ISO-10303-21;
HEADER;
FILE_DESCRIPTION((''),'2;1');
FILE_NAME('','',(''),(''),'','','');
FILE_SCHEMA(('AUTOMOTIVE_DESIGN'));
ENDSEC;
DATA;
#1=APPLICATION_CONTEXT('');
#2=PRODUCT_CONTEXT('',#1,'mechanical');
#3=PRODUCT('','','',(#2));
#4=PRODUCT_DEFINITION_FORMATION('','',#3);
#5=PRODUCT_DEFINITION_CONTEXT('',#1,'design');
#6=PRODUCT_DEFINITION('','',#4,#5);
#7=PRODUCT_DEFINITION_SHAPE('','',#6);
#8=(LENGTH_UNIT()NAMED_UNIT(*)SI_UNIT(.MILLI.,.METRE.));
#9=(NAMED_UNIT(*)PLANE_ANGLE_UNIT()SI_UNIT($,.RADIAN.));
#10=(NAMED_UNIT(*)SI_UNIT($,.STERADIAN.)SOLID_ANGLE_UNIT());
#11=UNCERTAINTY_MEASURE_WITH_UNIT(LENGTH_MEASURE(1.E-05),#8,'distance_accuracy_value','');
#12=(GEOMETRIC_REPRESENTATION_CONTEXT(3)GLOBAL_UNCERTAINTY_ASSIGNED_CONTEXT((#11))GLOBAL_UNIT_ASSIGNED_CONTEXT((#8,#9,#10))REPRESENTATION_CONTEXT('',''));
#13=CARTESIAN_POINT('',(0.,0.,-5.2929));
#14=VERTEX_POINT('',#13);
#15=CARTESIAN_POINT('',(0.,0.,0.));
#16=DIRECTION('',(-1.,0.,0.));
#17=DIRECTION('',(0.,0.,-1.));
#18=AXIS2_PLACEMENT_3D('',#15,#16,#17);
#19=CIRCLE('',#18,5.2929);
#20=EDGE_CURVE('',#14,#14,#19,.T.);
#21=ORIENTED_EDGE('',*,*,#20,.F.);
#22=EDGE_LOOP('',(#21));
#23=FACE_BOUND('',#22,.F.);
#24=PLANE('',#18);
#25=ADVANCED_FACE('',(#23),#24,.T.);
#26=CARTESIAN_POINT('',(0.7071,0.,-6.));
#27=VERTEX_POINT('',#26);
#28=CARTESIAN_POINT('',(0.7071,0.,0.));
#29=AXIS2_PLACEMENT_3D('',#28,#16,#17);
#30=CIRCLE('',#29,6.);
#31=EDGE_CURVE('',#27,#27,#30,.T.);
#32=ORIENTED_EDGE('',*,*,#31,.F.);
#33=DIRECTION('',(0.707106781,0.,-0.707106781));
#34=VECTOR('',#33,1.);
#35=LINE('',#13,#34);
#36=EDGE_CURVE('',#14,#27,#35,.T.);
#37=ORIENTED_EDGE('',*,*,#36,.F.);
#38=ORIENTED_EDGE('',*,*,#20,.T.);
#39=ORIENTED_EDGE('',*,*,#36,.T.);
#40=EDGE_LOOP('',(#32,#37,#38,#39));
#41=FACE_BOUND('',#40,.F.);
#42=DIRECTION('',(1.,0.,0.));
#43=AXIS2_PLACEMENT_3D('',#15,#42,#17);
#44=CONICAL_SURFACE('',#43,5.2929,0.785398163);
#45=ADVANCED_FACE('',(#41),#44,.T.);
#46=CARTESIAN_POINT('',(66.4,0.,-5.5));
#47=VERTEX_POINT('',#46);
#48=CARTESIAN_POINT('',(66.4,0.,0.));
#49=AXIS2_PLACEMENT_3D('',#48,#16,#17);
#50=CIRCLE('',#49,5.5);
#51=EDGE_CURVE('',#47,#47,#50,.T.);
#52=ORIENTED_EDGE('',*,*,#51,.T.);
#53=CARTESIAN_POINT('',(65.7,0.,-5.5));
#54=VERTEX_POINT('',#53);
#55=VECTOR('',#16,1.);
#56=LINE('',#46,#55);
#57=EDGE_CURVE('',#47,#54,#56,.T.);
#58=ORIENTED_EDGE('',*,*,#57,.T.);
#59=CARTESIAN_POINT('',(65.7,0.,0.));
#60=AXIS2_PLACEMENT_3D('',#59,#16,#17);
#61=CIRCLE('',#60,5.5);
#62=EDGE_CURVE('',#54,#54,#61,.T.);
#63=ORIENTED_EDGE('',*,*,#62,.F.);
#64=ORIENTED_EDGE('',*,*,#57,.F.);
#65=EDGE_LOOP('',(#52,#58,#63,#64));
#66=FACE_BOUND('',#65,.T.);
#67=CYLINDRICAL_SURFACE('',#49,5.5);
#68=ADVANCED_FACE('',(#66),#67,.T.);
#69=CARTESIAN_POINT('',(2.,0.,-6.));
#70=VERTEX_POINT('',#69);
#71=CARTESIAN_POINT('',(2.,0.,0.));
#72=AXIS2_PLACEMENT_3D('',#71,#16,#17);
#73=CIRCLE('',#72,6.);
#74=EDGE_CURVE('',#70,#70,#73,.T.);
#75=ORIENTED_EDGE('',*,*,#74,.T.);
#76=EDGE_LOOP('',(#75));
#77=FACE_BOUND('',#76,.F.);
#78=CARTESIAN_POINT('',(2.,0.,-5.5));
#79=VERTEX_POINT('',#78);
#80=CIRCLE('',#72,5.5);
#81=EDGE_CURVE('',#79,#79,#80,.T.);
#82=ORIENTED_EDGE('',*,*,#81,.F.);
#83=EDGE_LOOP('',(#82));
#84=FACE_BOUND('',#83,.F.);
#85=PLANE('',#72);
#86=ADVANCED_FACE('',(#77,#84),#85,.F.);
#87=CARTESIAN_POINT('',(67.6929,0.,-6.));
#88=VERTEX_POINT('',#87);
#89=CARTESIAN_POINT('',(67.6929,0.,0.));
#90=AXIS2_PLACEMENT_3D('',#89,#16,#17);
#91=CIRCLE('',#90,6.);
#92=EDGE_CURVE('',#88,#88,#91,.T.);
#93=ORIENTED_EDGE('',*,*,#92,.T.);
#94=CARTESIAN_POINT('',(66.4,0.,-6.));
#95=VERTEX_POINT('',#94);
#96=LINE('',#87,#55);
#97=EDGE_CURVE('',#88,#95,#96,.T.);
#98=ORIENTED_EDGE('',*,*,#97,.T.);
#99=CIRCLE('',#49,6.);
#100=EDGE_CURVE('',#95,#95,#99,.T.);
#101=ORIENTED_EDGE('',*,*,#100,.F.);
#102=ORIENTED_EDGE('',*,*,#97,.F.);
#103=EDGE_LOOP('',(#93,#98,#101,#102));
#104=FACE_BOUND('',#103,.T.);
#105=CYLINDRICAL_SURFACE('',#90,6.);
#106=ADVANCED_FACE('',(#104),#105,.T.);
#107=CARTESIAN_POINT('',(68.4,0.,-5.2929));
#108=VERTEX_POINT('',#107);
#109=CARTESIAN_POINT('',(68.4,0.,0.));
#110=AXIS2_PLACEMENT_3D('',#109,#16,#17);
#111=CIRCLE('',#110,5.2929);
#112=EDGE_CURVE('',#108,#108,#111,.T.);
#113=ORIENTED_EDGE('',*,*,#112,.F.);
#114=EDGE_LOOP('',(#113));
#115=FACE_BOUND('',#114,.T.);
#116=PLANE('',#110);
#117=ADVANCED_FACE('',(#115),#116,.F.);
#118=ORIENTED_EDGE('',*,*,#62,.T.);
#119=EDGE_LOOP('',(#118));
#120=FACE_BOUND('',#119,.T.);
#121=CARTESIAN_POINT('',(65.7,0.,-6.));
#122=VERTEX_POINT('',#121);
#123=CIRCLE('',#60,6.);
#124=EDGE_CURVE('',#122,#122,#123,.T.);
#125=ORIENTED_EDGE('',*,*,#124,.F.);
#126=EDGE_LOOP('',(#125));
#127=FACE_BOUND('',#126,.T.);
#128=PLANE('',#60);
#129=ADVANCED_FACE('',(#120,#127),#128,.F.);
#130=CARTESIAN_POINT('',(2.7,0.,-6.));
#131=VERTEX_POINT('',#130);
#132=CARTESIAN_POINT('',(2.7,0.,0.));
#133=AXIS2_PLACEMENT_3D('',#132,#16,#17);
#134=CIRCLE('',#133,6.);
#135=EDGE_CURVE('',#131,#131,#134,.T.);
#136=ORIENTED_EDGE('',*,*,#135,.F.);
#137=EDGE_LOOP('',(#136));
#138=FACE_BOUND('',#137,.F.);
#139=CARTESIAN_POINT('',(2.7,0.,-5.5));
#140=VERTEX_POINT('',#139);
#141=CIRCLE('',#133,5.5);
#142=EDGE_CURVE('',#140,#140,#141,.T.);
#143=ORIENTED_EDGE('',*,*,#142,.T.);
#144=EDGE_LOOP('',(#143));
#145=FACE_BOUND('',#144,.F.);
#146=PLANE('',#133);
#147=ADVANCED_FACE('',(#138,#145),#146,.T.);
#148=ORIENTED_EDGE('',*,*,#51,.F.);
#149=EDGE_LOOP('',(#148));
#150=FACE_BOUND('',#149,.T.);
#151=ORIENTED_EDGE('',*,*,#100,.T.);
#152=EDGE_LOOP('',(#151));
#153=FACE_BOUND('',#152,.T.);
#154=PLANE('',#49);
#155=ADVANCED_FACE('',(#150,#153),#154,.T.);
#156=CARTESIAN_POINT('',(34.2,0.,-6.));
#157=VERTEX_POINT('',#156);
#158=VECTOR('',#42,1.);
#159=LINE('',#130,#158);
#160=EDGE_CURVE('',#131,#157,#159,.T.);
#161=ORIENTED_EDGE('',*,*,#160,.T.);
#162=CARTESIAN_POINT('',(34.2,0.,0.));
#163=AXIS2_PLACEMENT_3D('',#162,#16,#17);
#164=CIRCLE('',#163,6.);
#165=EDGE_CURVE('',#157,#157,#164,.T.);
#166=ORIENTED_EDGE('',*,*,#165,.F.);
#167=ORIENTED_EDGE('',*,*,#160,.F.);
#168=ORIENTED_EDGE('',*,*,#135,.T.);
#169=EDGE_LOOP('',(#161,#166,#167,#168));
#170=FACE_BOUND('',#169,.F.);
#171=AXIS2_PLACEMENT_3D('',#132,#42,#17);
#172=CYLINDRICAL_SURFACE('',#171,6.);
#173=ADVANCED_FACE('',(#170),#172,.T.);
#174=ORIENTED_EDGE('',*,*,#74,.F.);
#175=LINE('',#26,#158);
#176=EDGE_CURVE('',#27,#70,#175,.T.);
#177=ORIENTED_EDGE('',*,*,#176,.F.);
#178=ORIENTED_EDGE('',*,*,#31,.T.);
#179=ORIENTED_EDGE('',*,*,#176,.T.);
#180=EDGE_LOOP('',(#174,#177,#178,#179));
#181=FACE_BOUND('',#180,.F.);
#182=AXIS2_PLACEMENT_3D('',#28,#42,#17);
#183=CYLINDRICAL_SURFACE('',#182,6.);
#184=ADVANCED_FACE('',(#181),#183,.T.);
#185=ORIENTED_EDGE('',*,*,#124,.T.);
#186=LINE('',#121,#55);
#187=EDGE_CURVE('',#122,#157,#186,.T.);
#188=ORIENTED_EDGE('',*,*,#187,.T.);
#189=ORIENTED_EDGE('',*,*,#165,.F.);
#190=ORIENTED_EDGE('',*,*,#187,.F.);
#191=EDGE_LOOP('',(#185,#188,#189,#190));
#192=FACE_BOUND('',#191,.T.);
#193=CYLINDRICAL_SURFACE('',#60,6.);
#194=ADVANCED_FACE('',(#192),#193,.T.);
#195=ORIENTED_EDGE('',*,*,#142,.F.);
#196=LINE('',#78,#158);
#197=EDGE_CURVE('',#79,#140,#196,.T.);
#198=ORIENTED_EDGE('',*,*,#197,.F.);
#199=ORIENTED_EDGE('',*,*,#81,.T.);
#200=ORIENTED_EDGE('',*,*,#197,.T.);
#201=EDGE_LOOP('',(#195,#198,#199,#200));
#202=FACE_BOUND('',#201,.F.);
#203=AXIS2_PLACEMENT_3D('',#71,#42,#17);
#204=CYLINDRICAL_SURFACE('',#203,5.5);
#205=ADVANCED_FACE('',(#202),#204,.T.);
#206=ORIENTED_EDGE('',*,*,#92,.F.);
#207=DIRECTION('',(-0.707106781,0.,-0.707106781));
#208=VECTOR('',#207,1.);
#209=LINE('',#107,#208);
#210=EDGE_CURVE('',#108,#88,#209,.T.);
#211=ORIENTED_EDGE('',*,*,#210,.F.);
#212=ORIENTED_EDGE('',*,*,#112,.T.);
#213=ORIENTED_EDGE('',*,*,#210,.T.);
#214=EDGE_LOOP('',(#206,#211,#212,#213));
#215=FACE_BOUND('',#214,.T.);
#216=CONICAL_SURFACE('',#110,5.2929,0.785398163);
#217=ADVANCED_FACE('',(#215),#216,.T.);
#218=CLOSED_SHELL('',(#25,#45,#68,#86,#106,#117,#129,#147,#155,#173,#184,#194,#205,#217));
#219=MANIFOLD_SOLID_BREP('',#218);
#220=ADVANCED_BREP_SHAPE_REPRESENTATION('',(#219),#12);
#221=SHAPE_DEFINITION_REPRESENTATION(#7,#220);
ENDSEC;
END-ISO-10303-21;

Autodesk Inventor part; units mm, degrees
ref_plane "YZ Plane" through (0, 0, 0) normal (1, 0, 0) x (0, 1, 0)
ref_plane "XZ Plane" through (0, 0, 0) normal (0, 1, 0) x (-1, 0, 0)
ref_plane "XY Plane" through (0, 0, 0) normal (0, 0, 1) x (1, 0, 0)
sketch "Sketch1" plane through (0, 0, 0) normal (0, 1, 0) x (-1, 0, 0)
  line L0 (0, 0) -> (0, -5.2929)
  line L1 (0, -5.2929) -> (-0.7071, -6)
  line L2 (-0.7071, -6) -> (-2, -6)
  line L3 (-2, -6) -> (-2, -5.5)
  line L4 (-2, -5.5) -> (-2.7, -5.5)
  line L5 (-2.7, -5.5) -> (-2.7, -6)
  line L6 (-2.7, -6) -> (-34.2, -6)
  line L7 (-34.2, -6) -> (-34.2, 0)
  line L8 (-34.2, 0) -> (0, 0)
  line L9 (-68.4, 0) -> (-68.4, -5.2929)
  line L10 (-68.4, -5.2929) -> (-67.6929, -6)
  line L11 (-67.6929, -6) -> (-66.4, -6)
  line L12 (-66.4, -6) -> (-66.4, -5.5)
  line L13 (-66.4, -5.5) -> (-65.7, -5.5)
  line L14 (-65.7, -5.5) -> (-65.7, -6)
  line L15 (-65.7, -6) -> (-34.2, -6)
  line L16 (-68.4, 0) -> (-34.2, 0)
  dimension "d0" = 6
  dimension "d1" = 0.7
  dimension "d2" = 2
  dimension "d3" = 0.5
  dimension "d4" = 135
  dimension "d5" = 1
  dimension "d8" = 31.5
revolve "Revolution1" add sketch "Sketch1" angle 360 about axis through (68.4, 0, 0) along (-1, 0, 0)
properties part number "Shatf_piston"
